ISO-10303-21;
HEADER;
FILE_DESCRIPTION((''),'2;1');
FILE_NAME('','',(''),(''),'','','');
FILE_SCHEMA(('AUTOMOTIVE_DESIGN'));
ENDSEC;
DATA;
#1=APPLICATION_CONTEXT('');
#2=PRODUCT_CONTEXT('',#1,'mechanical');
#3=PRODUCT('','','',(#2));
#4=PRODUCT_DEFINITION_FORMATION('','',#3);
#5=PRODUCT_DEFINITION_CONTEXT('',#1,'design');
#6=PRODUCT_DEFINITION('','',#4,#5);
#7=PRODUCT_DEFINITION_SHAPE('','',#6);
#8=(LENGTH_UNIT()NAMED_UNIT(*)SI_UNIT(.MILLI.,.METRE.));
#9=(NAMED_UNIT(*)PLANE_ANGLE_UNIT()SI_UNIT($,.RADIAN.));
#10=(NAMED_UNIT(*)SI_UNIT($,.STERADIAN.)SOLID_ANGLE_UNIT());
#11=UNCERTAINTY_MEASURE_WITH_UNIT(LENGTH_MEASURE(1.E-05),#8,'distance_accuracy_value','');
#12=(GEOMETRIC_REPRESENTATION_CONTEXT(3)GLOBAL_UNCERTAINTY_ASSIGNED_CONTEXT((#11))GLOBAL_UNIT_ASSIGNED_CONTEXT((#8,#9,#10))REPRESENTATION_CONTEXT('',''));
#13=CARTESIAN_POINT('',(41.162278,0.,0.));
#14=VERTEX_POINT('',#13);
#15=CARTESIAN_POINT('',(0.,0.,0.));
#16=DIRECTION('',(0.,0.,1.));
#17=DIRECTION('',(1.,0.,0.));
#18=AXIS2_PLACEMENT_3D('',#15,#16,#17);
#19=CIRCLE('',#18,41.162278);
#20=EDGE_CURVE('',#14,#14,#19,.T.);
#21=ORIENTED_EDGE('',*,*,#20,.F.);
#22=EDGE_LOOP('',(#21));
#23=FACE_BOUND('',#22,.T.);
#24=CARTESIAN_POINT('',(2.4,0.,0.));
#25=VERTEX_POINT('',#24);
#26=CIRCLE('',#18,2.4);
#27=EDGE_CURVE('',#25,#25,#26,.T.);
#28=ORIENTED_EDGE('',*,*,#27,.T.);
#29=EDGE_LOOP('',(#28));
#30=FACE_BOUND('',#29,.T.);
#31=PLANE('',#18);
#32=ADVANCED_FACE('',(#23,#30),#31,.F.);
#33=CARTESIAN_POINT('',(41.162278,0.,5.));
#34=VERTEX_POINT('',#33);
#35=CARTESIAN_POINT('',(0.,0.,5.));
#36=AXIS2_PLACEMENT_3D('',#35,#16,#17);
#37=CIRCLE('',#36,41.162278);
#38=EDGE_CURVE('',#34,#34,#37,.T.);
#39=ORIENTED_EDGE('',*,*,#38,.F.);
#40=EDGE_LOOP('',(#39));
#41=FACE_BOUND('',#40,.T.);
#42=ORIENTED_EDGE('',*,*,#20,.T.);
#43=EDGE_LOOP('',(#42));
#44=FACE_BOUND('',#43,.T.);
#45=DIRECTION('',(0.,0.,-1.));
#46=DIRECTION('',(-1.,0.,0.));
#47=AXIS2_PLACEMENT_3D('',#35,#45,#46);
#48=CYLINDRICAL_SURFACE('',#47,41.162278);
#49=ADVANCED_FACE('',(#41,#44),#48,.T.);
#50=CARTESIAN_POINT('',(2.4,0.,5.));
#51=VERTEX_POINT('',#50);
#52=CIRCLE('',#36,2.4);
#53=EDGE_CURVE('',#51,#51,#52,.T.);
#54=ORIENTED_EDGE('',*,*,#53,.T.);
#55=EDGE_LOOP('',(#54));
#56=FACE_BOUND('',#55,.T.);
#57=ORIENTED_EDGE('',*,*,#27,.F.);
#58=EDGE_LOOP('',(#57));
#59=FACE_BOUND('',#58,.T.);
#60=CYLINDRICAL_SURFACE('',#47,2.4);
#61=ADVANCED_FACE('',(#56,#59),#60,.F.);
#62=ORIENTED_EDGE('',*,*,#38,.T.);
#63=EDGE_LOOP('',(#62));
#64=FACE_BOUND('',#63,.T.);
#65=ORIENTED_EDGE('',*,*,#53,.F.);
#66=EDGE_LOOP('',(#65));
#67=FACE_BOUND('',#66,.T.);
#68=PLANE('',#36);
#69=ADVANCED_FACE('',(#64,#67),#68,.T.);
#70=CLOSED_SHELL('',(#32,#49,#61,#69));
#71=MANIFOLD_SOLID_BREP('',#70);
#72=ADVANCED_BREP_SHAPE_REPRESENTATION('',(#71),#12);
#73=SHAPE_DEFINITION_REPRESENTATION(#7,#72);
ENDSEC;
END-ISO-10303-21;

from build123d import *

# Parameters (mm, degrees)
SKETCH1_R           = 41.162278462
SKETCH1_R_2         = 2.4
BOSS_EXTRUDE1_DEPTH = 5


with BuildPart() as part:
    # Sketch1 → Boss-Extrude1 (new body)
    with BuildSketch(Plane.XY):
        Circle(SKETCH1_R)
        Circle(SKETCH1_R_2, mode=Mode.SUBTRACT)
    extrude(amount=BOSS_EXTRUDE1_DEPTH)


solid = part.part
